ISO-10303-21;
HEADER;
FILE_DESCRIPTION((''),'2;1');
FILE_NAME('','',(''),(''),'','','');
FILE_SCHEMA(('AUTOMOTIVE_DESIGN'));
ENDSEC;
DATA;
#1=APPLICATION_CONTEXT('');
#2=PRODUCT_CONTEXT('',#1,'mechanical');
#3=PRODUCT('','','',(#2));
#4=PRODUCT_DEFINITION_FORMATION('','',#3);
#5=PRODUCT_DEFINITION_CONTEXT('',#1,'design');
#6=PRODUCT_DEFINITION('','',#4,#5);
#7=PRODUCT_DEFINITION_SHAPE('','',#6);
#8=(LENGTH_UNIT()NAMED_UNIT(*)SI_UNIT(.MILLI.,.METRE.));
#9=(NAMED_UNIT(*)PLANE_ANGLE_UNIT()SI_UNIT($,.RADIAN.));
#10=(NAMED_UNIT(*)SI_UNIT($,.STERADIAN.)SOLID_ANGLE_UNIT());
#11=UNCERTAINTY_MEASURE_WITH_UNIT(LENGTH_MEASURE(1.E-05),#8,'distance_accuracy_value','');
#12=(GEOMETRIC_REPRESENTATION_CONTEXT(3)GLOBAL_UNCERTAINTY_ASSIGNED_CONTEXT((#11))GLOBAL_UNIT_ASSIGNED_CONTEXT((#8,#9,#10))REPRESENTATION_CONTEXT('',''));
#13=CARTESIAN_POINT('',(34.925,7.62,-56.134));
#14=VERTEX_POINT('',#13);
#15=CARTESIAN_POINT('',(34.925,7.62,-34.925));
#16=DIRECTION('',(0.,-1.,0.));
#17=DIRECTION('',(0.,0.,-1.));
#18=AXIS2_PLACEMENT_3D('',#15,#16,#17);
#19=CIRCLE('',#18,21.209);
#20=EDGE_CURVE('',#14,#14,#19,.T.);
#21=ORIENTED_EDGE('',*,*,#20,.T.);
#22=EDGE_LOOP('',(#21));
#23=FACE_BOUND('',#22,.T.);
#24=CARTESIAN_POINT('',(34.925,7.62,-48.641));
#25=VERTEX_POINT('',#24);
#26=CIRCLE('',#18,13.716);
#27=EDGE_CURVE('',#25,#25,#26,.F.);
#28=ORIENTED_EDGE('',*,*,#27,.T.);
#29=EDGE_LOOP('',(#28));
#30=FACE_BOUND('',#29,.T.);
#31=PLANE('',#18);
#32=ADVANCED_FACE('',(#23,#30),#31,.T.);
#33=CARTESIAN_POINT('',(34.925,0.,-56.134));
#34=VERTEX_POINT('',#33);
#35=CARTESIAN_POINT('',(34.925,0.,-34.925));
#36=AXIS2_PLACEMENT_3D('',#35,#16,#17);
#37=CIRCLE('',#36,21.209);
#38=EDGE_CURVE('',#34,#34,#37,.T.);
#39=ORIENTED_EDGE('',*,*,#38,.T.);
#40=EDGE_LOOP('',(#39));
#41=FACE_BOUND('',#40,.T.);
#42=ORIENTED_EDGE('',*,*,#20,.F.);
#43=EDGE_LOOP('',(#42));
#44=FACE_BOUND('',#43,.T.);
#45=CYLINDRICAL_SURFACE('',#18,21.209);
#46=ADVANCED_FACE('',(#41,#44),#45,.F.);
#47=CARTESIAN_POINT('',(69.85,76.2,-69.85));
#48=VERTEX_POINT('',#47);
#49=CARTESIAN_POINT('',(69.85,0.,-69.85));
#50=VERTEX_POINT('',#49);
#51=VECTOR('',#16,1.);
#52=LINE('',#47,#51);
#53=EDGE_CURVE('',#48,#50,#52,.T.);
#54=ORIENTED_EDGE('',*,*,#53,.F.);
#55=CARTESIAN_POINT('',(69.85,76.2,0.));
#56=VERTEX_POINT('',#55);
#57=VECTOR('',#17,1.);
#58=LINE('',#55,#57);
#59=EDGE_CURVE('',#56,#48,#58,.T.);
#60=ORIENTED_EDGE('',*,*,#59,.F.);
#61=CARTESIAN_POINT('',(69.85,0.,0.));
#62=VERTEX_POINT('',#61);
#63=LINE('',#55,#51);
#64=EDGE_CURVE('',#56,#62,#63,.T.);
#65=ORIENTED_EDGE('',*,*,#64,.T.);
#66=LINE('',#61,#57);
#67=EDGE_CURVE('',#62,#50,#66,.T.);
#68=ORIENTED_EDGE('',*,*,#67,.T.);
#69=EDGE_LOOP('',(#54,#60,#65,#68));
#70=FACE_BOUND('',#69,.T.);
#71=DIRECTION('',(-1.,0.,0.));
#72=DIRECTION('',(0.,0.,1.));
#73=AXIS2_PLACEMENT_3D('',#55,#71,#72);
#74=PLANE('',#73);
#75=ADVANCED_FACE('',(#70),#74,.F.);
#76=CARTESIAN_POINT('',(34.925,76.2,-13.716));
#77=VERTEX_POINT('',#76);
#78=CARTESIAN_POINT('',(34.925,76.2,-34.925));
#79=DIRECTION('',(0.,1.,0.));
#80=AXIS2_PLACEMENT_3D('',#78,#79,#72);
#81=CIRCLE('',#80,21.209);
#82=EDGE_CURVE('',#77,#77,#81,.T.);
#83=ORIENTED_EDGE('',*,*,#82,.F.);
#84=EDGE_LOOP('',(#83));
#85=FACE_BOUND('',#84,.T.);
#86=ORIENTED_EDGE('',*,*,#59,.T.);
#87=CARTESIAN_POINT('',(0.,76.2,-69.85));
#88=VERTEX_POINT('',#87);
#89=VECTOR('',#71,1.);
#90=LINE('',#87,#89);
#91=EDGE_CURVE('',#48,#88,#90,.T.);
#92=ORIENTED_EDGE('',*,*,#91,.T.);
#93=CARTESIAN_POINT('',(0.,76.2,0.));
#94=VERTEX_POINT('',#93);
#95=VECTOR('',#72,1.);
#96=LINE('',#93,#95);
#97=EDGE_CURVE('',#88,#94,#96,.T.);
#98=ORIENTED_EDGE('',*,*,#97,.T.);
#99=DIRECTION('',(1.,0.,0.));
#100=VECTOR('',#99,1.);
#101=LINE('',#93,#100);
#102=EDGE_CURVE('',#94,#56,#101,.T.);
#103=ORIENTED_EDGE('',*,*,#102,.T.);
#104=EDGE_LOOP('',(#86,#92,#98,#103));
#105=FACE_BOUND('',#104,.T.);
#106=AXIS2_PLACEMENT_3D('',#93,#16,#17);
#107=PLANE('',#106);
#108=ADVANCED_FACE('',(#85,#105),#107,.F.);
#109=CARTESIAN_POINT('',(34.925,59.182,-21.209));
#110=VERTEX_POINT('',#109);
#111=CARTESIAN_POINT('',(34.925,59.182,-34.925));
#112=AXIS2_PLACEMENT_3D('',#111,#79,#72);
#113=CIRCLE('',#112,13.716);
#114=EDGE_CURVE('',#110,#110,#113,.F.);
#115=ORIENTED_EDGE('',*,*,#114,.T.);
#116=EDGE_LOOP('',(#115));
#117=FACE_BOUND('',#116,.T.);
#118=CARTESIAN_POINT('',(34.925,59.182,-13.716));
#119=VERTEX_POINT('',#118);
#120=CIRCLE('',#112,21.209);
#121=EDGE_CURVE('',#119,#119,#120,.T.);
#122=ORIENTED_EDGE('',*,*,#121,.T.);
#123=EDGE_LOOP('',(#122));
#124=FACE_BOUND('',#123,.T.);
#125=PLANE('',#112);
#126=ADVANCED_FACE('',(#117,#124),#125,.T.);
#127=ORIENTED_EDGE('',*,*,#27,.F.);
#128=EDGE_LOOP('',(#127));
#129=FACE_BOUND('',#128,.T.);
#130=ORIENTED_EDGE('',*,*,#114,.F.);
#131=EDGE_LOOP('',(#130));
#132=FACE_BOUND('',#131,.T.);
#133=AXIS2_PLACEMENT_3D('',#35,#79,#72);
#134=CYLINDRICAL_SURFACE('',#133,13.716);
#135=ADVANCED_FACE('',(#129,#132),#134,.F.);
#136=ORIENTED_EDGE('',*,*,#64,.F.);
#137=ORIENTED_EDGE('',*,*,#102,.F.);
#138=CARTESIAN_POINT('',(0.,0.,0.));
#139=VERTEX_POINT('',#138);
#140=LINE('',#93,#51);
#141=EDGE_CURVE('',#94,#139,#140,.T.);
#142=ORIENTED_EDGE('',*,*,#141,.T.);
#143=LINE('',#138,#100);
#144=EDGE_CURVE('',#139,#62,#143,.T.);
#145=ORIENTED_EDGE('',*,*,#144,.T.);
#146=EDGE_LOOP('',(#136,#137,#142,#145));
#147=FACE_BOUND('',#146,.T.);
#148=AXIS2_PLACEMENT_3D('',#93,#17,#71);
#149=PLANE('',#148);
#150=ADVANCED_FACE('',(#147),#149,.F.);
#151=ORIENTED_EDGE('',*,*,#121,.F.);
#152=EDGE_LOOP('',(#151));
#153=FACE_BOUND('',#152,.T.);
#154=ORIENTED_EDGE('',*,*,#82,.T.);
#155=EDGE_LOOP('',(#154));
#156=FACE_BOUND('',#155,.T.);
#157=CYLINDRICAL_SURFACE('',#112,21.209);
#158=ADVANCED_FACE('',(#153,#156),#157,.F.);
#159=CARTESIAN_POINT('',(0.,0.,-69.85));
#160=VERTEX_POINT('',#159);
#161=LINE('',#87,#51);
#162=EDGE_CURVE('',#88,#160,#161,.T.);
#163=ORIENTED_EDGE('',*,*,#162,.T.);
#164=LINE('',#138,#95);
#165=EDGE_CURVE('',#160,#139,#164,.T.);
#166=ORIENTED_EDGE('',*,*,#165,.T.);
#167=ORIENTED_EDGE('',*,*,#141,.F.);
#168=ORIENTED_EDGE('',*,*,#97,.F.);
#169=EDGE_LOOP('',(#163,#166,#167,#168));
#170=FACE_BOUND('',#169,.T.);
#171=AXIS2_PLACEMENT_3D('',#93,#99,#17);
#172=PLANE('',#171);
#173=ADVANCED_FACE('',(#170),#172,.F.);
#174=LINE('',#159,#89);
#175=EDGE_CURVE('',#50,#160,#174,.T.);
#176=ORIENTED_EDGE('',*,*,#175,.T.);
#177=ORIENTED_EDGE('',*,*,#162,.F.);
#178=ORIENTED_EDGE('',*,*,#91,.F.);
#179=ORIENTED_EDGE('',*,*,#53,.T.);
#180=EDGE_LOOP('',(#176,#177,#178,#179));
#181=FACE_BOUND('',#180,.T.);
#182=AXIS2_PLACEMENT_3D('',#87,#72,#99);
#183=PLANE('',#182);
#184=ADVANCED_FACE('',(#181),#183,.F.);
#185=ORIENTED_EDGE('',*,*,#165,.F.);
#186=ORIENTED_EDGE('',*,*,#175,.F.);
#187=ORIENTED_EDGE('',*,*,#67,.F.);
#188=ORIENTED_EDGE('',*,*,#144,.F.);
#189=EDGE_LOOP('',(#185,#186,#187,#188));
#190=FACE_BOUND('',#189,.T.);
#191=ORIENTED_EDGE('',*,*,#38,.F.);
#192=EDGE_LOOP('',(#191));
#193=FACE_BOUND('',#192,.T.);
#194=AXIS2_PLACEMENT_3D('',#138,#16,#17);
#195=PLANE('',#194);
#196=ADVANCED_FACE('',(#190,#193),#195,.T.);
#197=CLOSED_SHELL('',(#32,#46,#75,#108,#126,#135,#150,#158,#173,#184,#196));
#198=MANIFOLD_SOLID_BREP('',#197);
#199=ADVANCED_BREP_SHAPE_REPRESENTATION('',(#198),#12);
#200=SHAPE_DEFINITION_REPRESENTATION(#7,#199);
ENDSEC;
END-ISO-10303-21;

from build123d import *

# Parameters (mm, degrees)
SKETCH1_W           = 69.85
SKETCH1_H           = 69.85
BOSS_EXTRUDE1_DEPTH = 76.2
SKETCH2_R           = 13.716
CUT_EXTRUDE1_DEPTH  = 76.2
SKETCH4_R           = 21.209
CUT_EXTRUDE2_DEPTH  = 17.018
SKETCH5_R           = 21.209
CUT_EXTRUDE3_DEPTH  = 7.62


with BuildPart() as part:
    # Sketch1 → Boss-Extrude1 (new body)
    with BuildSketch(Plane(origin=(0, 0, 0), x_dir=(1, 0, 0), z_dir=(0, 1, 0))):
        with Locations((34.925, 34.925)):
            Rectangle(SKETCH1_W, SKETCH1_H)
    extrude(amount=BOSS_EXTRUDE1_DEPTH)

    # Sketch2 → Cut-Extrude1 (cut)
    with BuildSketch(Plane(origin=(0, 76.2, 0), x_dir=(1, 0, 0), z_dir=(0, 1, 0))):
        with Locations((34.925, 34.925)):
            Circle(SKETCH2_R)
    extrude(amount=-CUT_EXTRUDE1_DEPTH, mode=Mode.SUBTRACT)

    # Sketch4 → Cut-Extrude2 (cut)
    with BuildSketch(Plane(origin=(0, 76.2, 0), x_dir=(1, 0, 0), z_dir=(0, 1, 0))):
        with Locations((34.925, 34.925)):
            Circle(SKETCH4_R)
    extrude(amount=-CUT_EXTRUDE2_DEPTH, mode=Mode.SUBTRACT)

    # Sketch5 → Cut-Extrude3 (cut)
    with BuildSketch(Plane.XZ):
        with Locations((34.925, -34.925)):
            Circle(SKETCH5_R)
    extrude(amount=-CUT_EXTRUDE3_DEPTH, mode=Mode.SUBTRACT)


solid = part.part
